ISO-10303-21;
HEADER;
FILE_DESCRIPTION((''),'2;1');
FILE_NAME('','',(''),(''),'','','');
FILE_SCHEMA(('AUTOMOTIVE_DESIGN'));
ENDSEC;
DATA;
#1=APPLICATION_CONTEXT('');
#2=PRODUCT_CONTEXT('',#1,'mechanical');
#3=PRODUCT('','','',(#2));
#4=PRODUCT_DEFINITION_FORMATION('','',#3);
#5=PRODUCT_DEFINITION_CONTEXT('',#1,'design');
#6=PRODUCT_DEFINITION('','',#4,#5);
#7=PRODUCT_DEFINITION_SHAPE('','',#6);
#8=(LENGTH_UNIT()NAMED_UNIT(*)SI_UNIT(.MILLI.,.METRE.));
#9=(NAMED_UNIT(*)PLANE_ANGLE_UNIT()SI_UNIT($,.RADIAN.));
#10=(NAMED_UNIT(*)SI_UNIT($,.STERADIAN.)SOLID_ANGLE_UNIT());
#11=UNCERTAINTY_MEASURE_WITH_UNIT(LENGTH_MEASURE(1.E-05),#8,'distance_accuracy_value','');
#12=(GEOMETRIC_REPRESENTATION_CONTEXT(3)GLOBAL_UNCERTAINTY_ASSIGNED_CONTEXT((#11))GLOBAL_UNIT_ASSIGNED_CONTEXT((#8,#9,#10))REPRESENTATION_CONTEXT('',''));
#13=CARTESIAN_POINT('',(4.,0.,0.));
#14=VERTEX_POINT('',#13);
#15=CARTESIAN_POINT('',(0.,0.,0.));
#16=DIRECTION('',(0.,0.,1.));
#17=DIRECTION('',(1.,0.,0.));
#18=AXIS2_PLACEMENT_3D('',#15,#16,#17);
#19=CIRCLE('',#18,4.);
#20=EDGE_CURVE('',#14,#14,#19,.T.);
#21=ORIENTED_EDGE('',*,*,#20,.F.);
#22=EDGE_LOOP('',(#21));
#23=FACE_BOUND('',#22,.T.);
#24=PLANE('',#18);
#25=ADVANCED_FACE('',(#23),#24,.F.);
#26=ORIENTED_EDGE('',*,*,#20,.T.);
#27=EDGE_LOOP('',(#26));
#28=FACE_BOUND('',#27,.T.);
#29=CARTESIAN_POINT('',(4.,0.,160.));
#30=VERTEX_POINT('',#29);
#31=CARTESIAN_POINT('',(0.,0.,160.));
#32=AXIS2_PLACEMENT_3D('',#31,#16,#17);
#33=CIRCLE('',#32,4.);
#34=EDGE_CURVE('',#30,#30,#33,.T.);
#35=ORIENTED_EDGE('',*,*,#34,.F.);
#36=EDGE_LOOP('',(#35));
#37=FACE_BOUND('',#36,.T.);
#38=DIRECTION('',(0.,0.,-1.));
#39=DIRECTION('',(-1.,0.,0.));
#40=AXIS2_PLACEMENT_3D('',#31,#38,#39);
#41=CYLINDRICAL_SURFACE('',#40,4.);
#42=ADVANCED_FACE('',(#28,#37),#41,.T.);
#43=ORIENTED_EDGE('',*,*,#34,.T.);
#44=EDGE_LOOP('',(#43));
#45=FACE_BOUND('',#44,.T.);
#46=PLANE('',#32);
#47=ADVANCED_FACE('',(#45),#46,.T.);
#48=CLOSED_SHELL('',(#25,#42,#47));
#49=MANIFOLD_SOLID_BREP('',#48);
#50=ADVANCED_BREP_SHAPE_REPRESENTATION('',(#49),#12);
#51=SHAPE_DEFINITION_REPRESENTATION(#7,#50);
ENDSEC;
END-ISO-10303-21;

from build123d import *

# Parameters (mm, degrees)
SKETCH1_R           = 4
BOSS_EXTRUDE1_DEPTH = 160


with BuildPart() as part:
    # Sketch1 → Boss-Extrude1 (new body)
    with BuildSketch(Plane.XY):
        Circle(SKETCH1_R)
    extrude(amount=BOSS_EXTRUDE1_DEPTH)


solid = part.part
